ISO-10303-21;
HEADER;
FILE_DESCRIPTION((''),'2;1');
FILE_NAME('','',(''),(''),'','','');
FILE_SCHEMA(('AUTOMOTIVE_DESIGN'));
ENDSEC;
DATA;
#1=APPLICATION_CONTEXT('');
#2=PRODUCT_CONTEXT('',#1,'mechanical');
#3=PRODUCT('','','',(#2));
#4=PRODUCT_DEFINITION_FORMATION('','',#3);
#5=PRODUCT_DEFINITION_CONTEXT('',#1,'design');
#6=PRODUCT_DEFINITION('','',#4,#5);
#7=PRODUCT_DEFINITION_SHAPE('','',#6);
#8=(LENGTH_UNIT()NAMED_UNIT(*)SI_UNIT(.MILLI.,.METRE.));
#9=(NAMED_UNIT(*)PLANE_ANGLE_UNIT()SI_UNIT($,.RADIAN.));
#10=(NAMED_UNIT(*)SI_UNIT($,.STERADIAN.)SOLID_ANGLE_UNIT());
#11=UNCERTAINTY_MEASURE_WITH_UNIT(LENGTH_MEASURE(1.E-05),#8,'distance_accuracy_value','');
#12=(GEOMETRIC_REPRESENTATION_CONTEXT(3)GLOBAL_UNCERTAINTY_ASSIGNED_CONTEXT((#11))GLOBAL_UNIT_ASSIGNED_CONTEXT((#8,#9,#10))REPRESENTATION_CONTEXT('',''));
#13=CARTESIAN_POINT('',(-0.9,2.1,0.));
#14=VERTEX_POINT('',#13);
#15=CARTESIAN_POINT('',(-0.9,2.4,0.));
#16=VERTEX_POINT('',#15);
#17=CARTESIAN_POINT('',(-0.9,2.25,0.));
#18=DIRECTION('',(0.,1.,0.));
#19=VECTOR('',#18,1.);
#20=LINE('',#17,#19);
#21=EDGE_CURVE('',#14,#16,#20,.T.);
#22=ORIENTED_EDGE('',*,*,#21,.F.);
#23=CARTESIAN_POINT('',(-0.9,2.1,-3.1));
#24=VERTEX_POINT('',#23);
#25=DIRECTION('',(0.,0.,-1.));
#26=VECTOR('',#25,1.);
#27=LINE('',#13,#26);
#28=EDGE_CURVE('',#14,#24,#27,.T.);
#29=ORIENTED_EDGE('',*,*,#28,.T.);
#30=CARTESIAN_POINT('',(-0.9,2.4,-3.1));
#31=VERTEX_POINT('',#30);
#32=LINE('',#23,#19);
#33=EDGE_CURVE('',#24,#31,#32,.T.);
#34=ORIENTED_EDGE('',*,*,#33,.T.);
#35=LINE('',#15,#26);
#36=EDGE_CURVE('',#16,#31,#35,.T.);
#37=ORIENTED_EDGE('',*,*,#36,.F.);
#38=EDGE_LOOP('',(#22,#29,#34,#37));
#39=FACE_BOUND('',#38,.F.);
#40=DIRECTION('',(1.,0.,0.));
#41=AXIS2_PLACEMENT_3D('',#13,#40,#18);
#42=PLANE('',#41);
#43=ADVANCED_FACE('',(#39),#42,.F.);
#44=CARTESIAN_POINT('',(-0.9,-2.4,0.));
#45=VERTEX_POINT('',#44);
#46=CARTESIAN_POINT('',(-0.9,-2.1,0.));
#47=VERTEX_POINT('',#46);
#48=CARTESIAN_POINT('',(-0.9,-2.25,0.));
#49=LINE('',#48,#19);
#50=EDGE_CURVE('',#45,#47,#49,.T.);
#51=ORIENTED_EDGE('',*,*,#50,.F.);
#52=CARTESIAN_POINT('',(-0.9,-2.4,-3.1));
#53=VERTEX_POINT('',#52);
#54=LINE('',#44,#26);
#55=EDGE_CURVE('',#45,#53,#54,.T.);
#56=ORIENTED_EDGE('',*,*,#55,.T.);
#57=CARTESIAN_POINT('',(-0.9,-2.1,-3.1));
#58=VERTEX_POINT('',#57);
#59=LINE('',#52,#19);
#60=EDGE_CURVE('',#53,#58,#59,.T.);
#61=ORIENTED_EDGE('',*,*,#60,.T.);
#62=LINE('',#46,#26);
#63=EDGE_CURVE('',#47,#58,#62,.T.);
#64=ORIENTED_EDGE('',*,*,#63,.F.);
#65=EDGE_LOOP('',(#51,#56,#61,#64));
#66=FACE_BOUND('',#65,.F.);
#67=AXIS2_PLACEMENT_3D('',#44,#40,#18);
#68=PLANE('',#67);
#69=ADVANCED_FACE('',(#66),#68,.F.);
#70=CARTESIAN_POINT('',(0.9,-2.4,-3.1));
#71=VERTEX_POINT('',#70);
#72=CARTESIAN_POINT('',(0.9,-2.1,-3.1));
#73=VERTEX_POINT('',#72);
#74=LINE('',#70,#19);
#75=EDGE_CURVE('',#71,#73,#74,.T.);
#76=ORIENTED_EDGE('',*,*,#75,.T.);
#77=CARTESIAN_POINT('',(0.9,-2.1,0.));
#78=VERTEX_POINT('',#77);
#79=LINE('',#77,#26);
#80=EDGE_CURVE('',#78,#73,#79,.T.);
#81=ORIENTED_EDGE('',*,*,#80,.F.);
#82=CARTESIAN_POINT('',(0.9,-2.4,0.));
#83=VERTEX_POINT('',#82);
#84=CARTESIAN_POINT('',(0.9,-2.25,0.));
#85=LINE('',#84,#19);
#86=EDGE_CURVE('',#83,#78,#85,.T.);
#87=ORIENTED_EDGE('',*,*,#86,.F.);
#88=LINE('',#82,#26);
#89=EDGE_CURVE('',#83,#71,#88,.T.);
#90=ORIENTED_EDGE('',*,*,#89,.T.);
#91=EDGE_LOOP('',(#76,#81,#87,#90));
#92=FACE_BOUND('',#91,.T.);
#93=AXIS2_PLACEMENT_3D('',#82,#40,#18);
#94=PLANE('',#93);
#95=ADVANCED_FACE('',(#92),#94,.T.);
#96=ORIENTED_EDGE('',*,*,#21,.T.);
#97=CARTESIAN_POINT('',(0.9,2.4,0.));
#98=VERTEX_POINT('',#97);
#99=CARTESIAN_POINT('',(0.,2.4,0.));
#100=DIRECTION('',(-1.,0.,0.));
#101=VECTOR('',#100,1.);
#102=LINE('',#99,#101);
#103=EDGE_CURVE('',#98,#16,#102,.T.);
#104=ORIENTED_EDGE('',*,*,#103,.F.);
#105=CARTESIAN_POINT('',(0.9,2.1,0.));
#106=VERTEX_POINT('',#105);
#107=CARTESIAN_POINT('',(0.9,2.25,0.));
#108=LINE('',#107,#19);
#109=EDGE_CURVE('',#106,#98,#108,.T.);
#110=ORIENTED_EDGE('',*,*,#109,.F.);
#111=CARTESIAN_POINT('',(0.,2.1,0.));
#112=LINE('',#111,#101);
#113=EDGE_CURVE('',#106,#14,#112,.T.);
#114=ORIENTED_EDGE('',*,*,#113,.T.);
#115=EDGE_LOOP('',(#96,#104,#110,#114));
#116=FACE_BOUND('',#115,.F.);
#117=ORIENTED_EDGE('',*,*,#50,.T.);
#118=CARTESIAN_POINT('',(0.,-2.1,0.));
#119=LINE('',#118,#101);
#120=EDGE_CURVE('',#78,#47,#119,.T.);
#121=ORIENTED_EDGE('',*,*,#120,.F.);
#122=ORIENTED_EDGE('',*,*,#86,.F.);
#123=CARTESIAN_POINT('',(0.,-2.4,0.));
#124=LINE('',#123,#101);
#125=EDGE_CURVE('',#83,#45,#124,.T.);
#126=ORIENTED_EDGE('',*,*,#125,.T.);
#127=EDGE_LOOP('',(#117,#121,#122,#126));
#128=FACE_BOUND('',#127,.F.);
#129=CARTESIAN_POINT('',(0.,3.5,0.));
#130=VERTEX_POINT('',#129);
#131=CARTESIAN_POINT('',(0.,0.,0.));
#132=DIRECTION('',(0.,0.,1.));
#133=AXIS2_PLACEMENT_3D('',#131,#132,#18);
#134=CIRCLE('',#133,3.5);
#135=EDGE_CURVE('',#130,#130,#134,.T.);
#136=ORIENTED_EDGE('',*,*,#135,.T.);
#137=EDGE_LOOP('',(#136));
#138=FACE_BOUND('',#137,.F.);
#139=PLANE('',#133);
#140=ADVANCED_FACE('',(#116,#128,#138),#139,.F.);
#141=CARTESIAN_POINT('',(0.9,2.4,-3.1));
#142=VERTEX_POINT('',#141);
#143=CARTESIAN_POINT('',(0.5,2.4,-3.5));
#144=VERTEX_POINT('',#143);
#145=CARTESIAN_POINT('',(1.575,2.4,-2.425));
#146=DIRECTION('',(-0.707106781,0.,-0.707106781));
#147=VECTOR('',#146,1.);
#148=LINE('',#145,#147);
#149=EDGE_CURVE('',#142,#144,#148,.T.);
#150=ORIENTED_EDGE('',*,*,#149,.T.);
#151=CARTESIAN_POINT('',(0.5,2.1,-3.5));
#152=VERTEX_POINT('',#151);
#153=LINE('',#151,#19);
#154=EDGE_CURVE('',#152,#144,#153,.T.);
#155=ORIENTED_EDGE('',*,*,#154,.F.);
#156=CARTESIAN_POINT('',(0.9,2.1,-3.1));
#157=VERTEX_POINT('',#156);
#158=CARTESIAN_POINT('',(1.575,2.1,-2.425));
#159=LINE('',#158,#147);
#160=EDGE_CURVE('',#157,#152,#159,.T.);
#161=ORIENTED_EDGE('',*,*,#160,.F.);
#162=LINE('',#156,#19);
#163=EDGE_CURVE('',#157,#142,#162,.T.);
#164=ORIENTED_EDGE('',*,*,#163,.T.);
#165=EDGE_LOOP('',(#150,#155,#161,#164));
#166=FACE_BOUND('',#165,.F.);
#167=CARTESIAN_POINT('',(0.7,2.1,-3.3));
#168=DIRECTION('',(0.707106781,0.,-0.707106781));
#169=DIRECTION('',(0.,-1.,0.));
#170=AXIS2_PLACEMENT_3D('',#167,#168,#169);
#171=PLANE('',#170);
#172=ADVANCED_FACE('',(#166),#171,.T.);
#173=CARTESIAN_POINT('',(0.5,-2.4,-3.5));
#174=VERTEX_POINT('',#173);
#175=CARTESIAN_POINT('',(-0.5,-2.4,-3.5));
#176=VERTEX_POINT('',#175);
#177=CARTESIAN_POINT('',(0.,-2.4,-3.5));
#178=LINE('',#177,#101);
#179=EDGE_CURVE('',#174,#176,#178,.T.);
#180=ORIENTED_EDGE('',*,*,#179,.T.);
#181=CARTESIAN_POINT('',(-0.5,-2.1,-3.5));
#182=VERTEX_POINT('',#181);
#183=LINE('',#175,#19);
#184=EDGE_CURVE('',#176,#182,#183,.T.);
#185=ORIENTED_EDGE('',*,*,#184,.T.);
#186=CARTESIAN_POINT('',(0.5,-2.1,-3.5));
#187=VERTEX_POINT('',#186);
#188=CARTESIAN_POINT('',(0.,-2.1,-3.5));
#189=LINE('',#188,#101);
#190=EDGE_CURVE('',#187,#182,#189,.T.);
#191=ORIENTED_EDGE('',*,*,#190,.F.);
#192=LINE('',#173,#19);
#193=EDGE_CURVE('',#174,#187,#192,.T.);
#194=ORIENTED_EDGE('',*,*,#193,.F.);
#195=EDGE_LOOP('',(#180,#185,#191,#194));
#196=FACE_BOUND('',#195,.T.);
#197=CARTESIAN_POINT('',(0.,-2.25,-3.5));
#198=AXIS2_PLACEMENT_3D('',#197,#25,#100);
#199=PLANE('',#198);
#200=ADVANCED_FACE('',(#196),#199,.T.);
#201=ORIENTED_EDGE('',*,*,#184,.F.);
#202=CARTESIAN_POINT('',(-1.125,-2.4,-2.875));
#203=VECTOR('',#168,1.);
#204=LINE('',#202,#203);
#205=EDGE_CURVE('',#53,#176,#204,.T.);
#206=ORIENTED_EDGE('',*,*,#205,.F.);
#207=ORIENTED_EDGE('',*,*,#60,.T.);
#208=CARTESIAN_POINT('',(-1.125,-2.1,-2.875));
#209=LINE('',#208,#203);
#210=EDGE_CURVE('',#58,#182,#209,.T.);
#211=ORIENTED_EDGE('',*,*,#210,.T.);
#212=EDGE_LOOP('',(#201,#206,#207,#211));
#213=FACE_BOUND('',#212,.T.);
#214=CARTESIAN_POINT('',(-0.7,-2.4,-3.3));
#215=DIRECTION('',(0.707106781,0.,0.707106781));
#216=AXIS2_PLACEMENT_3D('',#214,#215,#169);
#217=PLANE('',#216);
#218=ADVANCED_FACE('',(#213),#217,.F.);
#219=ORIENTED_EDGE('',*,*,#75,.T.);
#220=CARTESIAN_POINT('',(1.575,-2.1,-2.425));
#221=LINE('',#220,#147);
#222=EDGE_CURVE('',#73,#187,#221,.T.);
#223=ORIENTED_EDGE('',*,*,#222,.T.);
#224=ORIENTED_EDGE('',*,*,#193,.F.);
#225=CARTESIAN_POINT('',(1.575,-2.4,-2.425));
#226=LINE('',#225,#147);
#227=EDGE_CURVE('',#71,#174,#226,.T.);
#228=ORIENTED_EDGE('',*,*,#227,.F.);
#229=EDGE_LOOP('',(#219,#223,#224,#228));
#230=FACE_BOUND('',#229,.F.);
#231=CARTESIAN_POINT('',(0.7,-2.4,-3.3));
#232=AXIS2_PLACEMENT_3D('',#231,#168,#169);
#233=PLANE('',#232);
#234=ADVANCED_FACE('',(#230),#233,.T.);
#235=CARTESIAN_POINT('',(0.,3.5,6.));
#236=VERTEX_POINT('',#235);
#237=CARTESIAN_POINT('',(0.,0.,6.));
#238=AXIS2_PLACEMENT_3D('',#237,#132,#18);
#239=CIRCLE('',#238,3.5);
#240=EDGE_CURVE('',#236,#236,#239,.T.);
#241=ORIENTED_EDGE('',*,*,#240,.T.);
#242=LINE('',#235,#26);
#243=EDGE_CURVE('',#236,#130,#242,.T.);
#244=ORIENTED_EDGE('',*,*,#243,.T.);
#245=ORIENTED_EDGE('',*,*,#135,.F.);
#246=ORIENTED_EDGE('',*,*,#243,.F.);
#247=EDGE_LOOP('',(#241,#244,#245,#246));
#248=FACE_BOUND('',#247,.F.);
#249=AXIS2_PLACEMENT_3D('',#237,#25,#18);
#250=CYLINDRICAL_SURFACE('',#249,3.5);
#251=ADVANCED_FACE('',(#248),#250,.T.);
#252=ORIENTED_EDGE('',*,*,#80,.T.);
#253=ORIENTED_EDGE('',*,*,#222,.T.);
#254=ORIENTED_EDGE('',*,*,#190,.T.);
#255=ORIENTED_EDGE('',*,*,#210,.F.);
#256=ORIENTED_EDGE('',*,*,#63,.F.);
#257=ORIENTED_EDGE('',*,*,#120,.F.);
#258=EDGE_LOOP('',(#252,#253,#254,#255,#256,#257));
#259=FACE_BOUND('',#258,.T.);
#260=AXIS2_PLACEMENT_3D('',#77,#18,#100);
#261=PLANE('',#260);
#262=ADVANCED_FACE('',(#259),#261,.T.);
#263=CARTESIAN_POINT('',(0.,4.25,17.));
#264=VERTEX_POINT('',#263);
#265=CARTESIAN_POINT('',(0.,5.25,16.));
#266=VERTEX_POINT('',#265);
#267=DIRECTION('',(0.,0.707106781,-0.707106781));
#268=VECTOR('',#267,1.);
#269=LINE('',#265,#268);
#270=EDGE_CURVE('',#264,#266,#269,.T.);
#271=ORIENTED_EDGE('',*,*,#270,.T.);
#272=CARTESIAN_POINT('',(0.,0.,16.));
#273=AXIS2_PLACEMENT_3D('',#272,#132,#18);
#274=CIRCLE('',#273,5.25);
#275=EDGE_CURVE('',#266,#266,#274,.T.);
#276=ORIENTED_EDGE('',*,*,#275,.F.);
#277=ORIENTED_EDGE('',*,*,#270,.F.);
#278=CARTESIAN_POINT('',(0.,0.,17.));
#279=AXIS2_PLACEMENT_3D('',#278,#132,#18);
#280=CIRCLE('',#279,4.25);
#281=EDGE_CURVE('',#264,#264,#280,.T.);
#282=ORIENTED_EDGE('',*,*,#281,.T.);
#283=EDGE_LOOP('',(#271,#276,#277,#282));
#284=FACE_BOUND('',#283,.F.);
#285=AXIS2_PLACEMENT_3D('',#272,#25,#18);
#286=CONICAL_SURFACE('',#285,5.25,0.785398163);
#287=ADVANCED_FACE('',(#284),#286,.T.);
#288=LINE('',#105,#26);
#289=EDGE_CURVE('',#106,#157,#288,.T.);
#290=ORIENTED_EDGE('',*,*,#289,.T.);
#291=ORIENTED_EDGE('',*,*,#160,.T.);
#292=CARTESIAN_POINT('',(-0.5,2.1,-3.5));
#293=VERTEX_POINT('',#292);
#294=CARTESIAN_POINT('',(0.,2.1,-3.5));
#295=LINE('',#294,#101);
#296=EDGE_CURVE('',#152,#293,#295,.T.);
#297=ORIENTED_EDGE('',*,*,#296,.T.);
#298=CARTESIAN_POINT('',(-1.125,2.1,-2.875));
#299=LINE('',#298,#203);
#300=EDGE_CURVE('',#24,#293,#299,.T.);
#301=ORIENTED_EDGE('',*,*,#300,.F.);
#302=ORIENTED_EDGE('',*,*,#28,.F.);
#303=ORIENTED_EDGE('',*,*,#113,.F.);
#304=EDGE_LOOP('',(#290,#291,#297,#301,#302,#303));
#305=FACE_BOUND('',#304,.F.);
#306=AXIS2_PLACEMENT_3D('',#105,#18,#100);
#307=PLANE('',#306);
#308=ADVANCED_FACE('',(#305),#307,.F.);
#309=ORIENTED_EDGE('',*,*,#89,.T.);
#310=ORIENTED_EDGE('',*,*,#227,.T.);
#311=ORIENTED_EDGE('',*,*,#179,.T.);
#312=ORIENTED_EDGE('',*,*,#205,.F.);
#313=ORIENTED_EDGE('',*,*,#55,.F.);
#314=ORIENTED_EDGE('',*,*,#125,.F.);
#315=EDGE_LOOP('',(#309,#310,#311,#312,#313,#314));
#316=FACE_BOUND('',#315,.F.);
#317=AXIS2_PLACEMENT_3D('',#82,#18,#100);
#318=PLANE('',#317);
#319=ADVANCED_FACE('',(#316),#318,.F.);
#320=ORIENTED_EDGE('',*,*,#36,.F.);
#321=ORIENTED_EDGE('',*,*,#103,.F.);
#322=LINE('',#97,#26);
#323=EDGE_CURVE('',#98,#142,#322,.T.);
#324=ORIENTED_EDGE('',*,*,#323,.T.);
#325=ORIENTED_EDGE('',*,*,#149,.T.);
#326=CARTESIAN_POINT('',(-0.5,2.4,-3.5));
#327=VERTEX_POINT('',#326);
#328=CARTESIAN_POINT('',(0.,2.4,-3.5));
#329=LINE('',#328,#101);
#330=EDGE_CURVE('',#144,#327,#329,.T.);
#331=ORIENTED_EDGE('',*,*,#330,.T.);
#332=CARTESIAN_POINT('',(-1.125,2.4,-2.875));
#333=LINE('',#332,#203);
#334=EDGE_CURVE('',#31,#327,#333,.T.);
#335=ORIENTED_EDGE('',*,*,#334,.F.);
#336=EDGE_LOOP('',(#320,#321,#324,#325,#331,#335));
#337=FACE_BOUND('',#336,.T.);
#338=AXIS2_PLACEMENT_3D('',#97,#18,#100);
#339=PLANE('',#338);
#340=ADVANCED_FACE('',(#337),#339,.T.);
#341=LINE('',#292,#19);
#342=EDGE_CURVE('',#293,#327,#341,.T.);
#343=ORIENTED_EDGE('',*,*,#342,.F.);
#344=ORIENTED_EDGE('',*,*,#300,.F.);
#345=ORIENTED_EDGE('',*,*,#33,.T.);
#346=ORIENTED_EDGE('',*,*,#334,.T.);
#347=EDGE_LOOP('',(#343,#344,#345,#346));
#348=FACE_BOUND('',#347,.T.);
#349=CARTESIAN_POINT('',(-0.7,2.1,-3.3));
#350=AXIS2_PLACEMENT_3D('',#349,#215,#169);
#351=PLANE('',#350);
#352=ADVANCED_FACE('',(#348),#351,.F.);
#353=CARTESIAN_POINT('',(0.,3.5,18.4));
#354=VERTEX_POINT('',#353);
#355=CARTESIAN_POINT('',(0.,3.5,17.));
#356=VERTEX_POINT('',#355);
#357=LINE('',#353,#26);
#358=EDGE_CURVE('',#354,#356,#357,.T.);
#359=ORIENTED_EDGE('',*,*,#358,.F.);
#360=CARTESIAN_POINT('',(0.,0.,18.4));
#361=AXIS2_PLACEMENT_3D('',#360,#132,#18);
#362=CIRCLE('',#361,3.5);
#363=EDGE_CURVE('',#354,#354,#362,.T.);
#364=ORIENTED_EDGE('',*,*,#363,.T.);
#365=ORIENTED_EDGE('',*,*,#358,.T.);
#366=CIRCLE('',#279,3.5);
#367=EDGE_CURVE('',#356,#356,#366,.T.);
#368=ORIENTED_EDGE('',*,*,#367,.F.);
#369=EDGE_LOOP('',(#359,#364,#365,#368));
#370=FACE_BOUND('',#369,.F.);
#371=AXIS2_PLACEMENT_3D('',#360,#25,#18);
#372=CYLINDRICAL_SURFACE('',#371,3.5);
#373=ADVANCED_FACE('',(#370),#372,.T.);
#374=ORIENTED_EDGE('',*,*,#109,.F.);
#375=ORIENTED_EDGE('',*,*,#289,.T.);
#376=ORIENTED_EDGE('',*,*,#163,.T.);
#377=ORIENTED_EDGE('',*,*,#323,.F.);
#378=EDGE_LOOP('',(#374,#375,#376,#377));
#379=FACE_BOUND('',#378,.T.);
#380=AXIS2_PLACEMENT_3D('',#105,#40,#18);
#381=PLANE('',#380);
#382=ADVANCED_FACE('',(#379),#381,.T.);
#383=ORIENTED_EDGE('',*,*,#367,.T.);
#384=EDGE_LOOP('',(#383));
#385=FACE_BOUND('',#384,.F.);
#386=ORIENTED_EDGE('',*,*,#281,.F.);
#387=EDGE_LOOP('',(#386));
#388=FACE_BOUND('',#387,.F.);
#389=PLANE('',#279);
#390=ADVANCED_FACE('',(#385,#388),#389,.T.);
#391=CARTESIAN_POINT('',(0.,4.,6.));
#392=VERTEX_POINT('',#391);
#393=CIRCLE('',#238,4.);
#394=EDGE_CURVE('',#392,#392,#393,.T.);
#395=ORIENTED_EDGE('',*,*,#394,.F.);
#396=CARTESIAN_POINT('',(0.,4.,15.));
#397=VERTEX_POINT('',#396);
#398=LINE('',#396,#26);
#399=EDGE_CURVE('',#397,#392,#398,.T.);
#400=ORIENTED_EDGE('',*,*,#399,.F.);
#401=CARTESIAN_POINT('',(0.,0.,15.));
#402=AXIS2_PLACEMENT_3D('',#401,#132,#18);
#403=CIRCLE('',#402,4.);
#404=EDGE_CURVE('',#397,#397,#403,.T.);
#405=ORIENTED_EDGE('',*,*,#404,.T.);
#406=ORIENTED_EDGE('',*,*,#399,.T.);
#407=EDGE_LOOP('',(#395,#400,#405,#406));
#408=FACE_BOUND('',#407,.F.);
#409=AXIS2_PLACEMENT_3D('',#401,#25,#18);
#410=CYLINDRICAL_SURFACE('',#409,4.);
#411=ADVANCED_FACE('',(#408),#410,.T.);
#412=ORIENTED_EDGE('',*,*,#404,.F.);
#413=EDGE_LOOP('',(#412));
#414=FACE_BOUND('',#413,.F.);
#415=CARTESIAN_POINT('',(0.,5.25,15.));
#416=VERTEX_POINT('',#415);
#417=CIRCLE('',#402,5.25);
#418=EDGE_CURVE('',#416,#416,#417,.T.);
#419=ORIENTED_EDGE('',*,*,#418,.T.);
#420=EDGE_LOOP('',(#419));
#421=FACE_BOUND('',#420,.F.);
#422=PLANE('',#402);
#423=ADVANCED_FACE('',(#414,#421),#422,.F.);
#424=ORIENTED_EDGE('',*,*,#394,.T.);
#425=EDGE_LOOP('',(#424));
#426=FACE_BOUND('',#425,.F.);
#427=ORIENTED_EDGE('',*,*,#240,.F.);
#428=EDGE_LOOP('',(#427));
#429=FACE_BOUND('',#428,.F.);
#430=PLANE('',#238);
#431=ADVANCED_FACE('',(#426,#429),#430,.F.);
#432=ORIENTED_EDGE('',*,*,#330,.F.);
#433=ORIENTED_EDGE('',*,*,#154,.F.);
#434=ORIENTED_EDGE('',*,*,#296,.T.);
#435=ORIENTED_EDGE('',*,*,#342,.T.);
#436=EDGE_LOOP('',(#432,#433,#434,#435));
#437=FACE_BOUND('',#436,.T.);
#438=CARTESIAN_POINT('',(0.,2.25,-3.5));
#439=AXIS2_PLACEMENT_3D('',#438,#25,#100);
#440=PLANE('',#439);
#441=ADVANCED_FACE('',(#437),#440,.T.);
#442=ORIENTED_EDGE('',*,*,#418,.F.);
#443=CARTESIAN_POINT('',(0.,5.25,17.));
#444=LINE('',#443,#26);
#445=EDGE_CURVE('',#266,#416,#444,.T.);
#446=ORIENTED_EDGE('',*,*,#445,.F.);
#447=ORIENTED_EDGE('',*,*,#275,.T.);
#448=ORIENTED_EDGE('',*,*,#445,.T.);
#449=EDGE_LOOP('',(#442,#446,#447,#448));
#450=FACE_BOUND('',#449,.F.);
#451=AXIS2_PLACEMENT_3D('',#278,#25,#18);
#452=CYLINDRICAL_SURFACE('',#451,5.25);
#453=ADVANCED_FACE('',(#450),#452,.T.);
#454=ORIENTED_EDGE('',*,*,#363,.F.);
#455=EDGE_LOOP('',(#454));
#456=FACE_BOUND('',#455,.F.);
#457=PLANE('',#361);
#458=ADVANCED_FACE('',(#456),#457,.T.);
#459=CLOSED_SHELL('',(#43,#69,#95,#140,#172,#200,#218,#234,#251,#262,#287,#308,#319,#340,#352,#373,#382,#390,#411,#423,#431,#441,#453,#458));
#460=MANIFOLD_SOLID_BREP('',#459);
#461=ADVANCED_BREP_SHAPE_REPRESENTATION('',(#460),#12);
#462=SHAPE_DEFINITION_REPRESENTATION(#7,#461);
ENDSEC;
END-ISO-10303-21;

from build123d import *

# Parameters (mm, degrees)
SKETCH_6_W      = 1.8
SKETCH_6_H      = 0.3
EXTRUDE_2_DEPTH = 3.5
CHAMFER_2_SIZE  = 1
CHAMFER_3_SIZE  = 0.4


with BuildPart() as part:
    # 草图1 → 旋转2 (revolve)
    with BuildSketch(Plane(origin=(0, 0, 0), x_dir=(0, 0, -1), z_dir=(1, 0, 0))):
        Polygon((-18.4, 0), (-18.4, 3.5), (-17, 3.5), (-17, 5.25), (-15, 5.25), (-15, 4), (-6, 4), (-6, 3.5), (0, 3.5), (0, 0), align=None)
    revolve(axis=Axis((0, 0, 0), (0, 0, 1)))

    # 草图6 → 凸台-拉伸2 (add)
    with BuildSketch(Plane(origin=(0, 0, 0), x_dir=(-1, 0, 0), z_dir=(0, 0, -1))):
        with Locations((0, 2.25)):
            Rectangle(SKETCH_6_W, SKETCH_6_H)
        with Locations((0, -2.25)):
            Rectangle(SKETCH_6_W, SKETCH_6_H)
    extrude(amount=EXTRUDE_2_DEPTH)

    # 倒角2
    chamfer_2_edges = [part.edges().sort_by_distance(p)[0] for p in [
        (0, -5.25, 17),
    ]]
    chamfer(chamfer_2_edges, length=CHAMFER_2_SIZE)

    # 倒角3
    chamfer_3_edges = [part.edges().sort_by_distance(p)[0] for p in [
        (-0.9, 2.25, -3.5),
        (0.9, 2.25, -3.5),
        (-0.9, -2.25, -3.5),
        (0.9, -2.25, -3.5),
    ]]
    chamfer(chamfer_3_edges, length=CHAMFER_3_SIZE)


solid = part.part
